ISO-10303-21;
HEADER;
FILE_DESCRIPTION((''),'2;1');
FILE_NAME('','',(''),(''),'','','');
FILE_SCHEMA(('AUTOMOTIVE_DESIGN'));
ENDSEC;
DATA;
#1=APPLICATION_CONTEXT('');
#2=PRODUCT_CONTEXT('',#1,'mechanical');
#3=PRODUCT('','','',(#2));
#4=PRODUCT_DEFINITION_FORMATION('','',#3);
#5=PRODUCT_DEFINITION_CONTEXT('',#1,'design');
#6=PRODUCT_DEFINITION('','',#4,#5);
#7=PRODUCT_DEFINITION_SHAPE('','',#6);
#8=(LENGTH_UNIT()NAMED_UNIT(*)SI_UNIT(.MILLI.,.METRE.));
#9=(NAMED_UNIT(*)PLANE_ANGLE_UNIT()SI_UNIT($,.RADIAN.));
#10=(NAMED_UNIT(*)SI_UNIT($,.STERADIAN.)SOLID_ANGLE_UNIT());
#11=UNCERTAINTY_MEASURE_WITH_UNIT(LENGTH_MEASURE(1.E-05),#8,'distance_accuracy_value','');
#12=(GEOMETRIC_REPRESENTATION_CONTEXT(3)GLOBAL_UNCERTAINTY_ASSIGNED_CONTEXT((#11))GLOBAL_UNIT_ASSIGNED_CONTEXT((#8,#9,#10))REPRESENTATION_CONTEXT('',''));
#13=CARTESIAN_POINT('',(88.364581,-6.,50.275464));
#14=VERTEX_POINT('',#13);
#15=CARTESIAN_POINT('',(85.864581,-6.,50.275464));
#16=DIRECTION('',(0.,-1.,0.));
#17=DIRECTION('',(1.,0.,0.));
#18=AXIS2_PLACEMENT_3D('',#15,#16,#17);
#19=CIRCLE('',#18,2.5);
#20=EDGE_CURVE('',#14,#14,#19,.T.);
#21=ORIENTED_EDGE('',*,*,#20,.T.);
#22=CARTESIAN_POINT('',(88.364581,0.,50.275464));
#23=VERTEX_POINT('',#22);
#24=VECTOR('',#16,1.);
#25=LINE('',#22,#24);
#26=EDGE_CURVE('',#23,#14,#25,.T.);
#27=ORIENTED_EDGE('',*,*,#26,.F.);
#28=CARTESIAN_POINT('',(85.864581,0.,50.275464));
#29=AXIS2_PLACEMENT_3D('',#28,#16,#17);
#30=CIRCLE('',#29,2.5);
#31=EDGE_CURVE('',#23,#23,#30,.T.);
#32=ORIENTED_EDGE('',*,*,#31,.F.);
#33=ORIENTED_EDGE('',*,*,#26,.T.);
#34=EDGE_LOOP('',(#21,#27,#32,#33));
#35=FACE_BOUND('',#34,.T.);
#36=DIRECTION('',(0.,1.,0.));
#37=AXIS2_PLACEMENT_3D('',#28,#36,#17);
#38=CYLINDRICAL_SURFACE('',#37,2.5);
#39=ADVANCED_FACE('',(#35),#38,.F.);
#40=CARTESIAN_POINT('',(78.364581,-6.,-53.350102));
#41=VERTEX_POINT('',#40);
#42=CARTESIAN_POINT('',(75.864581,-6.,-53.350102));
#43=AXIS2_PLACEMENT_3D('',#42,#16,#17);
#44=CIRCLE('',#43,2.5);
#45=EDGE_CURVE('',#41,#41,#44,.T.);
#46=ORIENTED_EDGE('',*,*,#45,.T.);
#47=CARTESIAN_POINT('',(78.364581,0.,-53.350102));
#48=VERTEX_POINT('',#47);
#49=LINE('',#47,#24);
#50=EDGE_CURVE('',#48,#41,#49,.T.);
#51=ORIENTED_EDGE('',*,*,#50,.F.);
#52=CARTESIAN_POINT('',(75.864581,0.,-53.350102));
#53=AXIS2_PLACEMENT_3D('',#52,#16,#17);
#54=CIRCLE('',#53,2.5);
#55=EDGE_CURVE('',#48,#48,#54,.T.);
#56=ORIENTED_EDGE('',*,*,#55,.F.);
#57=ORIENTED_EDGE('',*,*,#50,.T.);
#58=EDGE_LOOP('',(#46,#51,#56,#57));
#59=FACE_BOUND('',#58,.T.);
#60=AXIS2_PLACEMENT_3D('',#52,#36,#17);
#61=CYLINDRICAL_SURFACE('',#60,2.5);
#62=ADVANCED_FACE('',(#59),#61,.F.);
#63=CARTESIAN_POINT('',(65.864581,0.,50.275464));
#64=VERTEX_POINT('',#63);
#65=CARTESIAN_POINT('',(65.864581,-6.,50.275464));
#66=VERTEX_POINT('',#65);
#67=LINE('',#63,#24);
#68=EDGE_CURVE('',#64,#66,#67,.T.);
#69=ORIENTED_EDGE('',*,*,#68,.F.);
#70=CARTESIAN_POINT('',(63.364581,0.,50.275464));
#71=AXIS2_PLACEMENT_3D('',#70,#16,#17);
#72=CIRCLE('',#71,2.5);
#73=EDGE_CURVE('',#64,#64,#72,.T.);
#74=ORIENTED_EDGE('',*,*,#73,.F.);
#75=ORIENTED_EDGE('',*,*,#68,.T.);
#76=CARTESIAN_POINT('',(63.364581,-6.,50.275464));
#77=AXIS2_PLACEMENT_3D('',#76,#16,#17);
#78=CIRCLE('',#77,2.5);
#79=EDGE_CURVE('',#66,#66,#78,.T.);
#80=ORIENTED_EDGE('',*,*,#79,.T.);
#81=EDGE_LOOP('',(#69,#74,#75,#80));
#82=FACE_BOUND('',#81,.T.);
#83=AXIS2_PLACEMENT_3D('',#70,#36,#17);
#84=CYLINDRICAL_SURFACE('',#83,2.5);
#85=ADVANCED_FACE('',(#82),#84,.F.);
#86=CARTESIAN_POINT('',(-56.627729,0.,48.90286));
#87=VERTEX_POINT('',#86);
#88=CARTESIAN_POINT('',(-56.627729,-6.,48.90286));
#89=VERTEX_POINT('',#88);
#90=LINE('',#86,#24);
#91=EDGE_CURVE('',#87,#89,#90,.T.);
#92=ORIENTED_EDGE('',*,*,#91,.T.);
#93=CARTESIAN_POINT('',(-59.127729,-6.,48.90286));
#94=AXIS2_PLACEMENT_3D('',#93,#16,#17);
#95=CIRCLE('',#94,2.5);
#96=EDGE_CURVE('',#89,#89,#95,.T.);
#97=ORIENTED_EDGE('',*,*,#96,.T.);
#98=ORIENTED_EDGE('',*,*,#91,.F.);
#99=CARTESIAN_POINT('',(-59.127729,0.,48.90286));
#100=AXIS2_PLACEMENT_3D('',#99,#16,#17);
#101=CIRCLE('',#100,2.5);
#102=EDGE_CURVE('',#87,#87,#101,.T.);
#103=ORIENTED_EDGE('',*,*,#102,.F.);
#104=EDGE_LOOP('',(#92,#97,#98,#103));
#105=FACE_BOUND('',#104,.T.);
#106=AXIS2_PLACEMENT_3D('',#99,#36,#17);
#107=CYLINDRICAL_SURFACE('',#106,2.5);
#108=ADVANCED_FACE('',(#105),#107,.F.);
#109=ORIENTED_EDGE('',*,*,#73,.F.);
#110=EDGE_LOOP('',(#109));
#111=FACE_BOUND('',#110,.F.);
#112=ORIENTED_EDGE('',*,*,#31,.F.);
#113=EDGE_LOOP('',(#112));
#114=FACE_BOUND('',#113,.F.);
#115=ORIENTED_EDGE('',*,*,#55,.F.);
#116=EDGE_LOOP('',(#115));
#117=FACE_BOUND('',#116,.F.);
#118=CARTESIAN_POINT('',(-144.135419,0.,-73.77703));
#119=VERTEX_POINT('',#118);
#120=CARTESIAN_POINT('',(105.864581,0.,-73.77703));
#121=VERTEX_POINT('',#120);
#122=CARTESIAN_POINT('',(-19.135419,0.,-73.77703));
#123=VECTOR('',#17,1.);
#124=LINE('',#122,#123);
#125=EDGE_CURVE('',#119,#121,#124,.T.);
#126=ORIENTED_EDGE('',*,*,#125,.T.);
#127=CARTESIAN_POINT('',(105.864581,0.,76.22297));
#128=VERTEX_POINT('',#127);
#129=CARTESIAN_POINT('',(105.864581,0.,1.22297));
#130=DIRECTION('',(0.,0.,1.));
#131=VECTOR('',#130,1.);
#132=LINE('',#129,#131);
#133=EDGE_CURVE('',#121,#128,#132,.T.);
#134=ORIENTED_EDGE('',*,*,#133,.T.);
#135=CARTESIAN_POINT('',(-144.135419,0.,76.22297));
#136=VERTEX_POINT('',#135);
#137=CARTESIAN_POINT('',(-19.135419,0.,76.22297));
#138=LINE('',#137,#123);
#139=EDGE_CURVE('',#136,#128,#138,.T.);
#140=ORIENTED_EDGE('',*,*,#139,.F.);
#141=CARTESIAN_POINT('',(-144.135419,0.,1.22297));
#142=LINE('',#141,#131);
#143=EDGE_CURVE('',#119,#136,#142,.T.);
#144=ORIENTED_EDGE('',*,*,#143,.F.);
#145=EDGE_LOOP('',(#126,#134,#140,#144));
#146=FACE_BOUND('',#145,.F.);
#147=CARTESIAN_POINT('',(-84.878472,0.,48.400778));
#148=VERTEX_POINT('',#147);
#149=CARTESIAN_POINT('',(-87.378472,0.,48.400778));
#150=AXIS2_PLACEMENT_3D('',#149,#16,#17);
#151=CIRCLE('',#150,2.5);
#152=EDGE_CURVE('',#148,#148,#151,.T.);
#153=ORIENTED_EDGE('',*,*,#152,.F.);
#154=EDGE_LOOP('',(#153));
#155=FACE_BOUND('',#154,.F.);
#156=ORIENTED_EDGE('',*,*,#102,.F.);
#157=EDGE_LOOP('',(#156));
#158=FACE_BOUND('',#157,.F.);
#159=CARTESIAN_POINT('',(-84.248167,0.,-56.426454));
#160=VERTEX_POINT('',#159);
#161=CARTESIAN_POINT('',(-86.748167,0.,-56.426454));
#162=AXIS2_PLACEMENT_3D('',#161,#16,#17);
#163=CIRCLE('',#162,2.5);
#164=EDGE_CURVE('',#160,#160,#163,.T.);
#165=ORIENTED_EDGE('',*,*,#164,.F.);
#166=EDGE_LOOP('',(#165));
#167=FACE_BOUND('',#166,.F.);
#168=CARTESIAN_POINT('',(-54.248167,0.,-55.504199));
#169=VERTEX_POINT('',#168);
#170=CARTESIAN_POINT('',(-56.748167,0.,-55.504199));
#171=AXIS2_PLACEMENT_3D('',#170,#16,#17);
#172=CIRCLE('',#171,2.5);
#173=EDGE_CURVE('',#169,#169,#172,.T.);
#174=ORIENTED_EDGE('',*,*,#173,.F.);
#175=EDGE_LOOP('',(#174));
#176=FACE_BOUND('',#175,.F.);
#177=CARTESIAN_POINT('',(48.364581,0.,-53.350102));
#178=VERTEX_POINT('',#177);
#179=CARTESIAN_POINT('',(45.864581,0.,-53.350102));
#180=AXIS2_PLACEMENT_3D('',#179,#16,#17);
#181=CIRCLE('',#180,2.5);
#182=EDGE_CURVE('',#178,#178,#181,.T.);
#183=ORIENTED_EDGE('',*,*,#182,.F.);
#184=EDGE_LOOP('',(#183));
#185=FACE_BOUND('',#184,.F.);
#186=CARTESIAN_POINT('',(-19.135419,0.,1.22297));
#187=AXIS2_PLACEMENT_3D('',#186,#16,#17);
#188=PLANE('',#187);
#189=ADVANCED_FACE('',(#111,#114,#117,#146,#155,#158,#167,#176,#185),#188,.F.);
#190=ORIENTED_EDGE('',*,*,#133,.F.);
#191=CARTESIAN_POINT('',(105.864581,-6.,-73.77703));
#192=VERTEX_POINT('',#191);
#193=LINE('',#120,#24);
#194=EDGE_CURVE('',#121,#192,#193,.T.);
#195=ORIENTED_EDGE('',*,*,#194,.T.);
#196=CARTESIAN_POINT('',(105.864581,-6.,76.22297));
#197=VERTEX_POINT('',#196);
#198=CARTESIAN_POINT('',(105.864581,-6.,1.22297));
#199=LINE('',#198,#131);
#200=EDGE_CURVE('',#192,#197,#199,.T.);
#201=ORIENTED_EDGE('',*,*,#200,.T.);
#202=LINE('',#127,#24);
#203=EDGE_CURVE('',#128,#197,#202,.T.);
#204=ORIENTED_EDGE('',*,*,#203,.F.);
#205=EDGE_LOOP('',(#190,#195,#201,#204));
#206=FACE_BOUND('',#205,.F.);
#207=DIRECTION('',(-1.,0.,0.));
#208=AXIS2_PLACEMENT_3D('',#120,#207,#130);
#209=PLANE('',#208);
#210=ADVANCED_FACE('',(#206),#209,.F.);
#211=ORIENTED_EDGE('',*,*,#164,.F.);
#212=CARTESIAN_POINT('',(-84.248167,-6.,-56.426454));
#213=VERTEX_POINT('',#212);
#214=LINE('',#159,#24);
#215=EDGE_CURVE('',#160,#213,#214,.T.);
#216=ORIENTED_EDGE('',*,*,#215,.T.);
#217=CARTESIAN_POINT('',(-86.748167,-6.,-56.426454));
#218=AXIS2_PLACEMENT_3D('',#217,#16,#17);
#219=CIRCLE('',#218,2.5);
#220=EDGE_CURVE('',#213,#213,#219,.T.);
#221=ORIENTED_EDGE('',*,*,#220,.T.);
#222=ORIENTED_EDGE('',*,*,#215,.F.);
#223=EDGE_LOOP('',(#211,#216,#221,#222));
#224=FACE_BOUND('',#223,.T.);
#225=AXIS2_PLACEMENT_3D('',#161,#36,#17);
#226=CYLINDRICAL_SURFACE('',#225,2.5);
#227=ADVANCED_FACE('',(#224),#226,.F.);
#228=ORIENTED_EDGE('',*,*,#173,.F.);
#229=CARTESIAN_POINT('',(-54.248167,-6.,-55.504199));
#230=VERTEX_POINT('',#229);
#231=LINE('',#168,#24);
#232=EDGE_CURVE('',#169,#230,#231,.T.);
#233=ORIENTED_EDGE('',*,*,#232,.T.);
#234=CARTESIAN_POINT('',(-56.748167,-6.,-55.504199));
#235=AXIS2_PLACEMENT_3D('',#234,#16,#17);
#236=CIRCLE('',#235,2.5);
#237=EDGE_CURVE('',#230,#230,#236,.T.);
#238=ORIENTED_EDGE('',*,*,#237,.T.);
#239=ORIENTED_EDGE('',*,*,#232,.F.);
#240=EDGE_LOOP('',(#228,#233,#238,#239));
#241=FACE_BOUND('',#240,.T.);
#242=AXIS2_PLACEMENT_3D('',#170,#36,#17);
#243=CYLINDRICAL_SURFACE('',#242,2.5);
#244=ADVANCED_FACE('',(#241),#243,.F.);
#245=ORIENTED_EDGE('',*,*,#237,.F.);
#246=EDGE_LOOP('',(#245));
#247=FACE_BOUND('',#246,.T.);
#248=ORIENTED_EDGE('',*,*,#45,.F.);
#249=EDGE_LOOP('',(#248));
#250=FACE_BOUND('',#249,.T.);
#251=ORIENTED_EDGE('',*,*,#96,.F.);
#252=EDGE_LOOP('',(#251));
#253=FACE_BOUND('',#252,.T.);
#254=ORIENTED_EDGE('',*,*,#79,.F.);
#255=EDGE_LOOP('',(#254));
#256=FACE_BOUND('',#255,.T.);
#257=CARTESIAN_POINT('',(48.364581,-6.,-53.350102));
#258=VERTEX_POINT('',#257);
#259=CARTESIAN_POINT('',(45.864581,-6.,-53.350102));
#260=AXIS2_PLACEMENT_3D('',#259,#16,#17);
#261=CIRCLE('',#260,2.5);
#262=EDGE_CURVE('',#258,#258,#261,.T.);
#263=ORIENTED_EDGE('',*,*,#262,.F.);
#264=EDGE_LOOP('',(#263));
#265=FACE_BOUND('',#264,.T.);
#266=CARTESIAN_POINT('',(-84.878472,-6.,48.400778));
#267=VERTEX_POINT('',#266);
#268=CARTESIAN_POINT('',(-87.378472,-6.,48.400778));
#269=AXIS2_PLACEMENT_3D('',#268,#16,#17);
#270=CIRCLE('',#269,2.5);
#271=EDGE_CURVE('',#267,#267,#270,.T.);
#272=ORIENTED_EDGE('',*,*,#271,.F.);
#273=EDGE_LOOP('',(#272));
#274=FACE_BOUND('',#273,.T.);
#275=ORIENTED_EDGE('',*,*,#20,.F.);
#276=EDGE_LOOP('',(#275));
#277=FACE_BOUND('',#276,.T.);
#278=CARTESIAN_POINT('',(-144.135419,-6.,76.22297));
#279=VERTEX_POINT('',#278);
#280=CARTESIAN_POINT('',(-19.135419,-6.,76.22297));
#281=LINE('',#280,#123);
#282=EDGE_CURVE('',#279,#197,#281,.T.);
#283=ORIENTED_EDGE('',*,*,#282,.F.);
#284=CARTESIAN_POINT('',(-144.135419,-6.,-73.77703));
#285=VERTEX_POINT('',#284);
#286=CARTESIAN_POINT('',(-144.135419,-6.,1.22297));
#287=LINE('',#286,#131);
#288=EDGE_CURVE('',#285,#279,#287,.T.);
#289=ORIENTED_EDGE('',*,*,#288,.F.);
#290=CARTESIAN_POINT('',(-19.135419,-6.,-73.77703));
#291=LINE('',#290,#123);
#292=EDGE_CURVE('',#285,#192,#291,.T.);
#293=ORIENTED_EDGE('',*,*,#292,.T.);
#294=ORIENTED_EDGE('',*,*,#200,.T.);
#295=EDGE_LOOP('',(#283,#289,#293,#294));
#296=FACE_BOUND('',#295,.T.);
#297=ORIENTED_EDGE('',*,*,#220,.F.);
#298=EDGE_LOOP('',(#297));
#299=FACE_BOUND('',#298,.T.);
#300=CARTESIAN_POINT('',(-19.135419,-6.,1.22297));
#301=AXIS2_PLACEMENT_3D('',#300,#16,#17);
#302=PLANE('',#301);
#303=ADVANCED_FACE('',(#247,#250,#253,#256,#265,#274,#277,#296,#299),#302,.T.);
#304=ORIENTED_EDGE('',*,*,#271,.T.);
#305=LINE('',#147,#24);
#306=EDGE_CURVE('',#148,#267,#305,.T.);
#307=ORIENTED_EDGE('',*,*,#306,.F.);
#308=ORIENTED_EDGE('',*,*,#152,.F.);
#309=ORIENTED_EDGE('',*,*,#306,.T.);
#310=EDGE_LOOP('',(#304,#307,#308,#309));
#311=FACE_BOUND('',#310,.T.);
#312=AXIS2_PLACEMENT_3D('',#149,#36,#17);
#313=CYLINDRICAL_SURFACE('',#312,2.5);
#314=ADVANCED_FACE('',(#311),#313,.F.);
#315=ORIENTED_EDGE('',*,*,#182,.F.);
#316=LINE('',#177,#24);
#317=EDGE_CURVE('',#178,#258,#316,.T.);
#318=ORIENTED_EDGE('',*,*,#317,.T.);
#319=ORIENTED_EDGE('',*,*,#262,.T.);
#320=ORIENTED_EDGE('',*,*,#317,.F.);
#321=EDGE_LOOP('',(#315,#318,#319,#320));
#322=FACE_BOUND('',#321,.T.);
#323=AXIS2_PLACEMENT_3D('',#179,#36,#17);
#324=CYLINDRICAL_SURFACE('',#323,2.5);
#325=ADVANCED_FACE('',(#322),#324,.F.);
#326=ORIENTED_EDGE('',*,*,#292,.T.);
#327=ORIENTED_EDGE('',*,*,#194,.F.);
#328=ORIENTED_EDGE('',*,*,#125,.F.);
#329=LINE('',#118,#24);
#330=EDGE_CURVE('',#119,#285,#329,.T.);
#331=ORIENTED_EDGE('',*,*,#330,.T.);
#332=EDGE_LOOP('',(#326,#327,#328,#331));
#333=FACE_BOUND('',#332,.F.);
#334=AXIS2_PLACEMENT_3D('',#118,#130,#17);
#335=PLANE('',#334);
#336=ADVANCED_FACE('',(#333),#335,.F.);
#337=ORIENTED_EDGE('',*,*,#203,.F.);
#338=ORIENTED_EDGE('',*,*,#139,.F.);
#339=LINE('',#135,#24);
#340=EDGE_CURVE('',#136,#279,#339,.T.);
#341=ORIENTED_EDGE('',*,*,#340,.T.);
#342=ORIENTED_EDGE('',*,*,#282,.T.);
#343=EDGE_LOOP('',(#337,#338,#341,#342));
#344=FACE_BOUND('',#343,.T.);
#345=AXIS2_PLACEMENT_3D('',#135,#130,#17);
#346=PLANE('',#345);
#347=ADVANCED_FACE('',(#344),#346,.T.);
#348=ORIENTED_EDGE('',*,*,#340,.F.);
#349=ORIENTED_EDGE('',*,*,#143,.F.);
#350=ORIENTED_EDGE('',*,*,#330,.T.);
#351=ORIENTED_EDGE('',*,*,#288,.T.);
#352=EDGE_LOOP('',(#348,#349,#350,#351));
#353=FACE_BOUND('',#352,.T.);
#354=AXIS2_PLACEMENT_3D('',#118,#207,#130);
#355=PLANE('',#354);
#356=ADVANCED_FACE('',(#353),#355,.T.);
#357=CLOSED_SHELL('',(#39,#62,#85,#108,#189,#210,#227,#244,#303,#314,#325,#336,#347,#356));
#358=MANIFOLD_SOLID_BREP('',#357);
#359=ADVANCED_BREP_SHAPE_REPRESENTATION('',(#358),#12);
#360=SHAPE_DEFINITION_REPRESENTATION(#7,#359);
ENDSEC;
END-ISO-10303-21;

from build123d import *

# Parameters (mm, degrees)
F0_W     = 250
F0_H     = 150
F0_R     = 2.5
F1_DEPTH = 6


with BuildPart() as f1:
    # F0 (on Front) → F1 (new body)
    with BuildSketch(Plane.XZ):
        with Locations((-19.135419, 1.22297)):
            Rectangle(F0_W, F0_H)
        with Locations((-86.748167, -56.426454)):
            Circle(F0_R, mode=Mode.SUBTRACT)
        with Locations((-56.748167, -55.504199)):
            Circle(F0_R, mode=Mode.SUBTRACT)
        with Locations((45.864581, -53.350102)):
            Circle(F0_R, mode=Mode.SUBTRACT)
        with Locations((75.864581, -53.350102)):
            Circle(F0_R, mode=Mode.SUBTRACT)
        with Locations((-87.378472, 48.400778)):
            Circle(F0_R, mode=Mode.SUBTRACT)
        with Locations((-59.127729, 48.90286)):
            Circle(F0_R, mode=Mode.SUBTRACT)
        with Locations((63.364581, 50.275464)):
            Circle(F0_R, mode=Mode.SUBTRACT)
        with Locations((85.864581, 50.275464)):
            Circle(F0_R, mode=Mode.SUBTRACT)
    extrude(amount=F1_DEPTH)


solid = f1.part
